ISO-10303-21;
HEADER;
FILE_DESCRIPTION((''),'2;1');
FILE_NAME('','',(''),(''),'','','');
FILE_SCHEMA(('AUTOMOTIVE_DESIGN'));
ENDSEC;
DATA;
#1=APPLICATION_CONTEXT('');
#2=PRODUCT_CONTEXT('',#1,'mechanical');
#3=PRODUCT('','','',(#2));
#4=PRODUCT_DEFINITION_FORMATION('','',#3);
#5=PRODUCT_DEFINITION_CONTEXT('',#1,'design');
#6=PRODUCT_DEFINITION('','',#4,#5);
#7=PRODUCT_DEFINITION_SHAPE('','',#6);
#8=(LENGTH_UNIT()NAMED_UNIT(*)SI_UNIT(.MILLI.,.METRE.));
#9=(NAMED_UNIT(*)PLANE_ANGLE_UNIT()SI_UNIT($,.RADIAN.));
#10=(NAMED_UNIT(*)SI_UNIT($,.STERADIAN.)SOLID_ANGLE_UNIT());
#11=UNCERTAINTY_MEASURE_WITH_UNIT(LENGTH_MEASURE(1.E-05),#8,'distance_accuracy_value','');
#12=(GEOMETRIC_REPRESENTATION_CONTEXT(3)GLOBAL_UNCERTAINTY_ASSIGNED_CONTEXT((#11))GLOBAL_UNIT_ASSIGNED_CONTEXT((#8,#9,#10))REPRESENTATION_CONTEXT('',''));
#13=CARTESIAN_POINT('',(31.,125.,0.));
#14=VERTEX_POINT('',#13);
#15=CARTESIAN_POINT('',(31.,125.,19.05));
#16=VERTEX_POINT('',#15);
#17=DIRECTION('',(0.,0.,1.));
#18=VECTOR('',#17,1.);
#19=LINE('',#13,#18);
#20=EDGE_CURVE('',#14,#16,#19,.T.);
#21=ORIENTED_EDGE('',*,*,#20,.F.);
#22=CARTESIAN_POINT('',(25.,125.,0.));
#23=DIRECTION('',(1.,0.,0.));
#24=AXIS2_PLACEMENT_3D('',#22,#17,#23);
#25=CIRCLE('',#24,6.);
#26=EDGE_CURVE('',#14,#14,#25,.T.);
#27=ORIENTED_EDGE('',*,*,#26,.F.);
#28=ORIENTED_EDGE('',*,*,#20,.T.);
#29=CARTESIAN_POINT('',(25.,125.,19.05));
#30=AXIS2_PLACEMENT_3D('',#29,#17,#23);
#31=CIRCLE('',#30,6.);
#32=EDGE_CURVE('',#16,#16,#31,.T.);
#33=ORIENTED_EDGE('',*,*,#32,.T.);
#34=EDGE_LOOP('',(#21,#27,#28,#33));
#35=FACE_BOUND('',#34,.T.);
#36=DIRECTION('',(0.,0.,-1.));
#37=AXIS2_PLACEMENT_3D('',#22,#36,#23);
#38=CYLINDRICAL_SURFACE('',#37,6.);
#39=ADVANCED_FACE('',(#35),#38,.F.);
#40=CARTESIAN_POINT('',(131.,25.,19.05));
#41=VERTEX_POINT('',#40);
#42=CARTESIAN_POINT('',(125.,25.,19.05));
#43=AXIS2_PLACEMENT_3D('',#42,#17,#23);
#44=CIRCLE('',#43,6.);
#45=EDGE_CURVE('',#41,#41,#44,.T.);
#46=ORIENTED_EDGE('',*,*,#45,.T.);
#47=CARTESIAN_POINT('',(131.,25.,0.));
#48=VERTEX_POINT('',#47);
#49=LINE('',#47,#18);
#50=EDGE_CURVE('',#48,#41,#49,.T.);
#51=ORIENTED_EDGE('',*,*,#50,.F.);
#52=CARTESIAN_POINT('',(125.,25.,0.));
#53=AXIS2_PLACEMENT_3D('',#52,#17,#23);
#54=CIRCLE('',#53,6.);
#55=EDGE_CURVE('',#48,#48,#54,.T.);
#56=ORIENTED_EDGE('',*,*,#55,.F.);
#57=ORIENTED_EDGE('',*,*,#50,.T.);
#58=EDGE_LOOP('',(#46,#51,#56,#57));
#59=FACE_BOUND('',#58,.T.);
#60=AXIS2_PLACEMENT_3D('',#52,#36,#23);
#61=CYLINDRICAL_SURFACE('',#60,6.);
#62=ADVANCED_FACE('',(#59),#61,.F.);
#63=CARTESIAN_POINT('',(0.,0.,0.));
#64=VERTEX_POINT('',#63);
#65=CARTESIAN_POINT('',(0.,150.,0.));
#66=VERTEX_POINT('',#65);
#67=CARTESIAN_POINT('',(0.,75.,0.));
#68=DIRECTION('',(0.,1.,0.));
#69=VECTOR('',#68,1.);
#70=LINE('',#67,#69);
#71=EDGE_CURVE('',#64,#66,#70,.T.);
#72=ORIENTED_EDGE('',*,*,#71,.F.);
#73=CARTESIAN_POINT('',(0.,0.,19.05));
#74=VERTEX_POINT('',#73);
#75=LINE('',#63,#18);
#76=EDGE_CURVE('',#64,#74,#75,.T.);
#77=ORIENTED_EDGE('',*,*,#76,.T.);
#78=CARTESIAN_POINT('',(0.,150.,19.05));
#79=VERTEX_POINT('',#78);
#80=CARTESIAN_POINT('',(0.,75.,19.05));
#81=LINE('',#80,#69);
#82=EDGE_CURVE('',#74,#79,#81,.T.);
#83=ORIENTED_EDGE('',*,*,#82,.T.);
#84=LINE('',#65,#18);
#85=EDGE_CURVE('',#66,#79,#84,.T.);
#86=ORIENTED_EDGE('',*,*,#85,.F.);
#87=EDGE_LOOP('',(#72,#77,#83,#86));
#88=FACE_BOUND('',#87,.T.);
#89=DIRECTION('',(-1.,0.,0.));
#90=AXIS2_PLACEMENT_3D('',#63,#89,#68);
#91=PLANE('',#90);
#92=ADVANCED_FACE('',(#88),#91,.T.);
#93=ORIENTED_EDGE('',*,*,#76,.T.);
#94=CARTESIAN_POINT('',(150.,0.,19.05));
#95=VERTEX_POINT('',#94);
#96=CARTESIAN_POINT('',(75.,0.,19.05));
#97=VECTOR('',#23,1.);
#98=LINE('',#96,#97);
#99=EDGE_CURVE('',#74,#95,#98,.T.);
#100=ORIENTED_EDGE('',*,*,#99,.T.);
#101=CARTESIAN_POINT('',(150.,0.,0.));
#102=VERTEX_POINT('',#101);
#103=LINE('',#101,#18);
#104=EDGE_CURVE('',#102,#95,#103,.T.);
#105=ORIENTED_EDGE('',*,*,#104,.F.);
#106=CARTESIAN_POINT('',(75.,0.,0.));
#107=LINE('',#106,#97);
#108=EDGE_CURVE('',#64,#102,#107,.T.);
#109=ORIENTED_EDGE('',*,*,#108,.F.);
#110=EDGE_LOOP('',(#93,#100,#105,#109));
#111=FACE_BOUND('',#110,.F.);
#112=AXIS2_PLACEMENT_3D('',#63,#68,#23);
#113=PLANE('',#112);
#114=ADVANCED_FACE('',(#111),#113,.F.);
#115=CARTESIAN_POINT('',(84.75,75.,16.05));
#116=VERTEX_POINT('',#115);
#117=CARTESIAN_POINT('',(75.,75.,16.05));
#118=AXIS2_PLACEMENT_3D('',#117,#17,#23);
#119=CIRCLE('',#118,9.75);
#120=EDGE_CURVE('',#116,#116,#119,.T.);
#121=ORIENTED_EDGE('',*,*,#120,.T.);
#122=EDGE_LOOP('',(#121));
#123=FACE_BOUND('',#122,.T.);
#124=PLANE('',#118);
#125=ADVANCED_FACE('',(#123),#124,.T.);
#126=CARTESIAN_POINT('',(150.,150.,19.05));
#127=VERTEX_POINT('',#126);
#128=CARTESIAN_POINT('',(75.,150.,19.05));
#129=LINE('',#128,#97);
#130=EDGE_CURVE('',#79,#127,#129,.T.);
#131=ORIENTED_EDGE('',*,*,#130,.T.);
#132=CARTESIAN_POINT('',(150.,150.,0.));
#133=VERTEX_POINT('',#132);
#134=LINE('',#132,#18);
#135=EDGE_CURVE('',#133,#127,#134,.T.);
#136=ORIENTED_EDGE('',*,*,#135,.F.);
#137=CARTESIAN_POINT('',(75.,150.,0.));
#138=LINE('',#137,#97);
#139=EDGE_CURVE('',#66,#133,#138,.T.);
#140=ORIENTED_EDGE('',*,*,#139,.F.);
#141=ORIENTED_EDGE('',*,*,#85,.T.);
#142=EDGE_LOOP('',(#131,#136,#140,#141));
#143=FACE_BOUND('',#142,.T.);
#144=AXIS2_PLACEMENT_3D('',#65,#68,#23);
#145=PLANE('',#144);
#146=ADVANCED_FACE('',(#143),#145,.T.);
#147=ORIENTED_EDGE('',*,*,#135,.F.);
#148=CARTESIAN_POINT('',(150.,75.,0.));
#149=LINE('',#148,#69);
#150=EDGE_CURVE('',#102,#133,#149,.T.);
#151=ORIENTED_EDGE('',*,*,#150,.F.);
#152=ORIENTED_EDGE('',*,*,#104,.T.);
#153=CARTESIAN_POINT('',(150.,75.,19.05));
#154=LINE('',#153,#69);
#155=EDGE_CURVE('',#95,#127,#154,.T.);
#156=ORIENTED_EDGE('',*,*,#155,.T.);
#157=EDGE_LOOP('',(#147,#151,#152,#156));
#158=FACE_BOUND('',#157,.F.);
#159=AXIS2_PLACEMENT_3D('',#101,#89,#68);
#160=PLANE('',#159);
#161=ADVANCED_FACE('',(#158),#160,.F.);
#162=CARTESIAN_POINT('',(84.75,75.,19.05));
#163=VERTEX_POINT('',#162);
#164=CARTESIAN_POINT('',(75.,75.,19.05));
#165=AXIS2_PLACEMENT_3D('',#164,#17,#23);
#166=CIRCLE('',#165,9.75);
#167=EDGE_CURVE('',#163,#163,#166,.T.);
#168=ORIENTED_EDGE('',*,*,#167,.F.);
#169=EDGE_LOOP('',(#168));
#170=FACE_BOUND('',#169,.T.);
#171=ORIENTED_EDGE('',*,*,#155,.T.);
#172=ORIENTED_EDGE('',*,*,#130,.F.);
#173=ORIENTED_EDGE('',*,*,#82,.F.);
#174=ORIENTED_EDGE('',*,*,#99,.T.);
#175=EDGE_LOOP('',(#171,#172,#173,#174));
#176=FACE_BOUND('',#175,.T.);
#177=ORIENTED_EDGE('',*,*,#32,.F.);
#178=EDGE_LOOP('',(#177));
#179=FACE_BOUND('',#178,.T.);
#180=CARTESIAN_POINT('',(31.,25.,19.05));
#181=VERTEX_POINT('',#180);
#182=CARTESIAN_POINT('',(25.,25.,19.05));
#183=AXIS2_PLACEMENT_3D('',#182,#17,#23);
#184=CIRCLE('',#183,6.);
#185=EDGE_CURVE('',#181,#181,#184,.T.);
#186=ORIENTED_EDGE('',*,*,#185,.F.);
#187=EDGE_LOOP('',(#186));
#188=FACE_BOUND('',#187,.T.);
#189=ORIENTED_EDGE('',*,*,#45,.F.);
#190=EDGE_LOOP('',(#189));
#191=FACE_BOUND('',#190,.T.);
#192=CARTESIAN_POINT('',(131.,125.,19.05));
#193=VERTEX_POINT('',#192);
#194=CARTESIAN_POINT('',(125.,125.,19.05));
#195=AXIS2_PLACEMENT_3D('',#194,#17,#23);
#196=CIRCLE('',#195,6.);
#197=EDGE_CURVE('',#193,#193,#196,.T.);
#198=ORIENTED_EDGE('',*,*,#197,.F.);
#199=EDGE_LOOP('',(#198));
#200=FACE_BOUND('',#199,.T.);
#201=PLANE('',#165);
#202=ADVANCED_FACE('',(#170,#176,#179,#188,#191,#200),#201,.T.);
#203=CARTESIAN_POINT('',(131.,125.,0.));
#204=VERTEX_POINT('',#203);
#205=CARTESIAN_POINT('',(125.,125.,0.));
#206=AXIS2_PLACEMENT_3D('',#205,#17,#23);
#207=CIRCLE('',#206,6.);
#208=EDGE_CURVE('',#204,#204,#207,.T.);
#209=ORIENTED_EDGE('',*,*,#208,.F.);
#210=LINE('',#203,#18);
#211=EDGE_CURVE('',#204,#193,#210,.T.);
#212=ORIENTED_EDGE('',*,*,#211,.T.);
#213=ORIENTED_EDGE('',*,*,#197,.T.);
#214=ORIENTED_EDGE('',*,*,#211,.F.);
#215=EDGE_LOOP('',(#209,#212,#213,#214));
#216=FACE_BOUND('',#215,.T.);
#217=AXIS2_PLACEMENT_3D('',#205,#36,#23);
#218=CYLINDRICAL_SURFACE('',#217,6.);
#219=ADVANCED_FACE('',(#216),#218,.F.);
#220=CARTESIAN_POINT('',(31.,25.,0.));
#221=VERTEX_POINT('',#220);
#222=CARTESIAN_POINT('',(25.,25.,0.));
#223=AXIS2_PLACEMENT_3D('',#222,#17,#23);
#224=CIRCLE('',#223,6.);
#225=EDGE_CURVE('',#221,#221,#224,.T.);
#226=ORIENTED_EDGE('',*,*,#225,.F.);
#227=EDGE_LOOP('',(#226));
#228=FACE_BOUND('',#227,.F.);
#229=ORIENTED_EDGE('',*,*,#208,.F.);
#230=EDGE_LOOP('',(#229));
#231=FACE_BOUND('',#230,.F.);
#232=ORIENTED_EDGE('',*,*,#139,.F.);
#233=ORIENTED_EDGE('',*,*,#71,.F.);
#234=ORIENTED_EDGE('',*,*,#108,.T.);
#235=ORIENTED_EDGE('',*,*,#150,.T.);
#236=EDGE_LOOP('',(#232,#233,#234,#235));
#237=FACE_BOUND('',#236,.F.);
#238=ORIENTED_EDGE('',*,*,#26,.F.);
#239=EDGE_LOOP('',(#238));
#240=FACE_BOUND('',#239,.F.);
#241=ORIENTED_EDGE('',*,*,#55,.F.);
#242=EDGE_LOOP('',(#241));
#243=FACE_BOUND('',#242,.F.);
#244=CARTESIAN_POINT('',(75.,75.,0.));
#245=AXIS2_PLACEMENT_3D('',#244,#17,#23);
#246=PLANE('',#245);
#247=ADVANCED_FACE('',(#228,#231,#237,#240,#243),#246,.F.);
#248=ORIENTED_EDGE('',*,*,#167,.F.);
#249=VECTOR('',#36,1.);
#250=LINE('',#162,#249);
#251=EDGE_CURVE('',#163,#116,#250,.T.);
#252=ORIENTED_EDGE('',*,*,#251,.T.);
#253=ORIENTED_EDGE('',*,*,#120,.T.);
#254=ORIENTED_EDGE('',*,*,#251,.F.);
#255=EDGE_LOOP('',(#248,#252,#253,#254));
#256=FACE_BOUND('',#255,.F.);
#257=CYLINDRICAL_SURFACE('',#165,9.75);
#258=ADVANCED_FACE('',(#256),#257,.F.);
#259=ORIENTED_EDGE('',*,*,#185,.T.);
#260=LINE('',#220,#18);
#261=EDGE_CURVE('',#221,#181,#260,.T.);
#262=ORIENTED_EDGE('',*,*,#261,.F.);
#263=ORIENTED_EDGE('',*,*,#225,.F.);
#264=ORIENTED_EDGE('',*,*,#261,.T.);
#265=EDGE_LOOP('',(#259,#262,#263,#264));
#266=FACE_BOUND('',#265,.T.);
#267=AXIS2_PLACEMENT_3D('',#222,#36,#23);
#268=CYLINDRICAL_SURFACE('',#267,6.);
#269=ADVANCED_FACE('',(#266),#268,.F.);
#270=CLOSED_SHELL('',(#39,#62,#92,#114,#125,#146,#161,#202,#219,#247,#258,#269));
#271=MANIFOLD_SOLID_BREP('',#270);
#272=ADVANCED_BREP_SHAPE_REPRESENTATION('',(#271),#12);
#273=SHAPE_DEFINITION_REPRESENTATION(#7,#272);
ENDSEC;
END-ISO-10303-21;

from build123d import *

# Parameters (mm, degrees)
F0_W     = 150
F0_H     = 150
F0_R     = 6
F1_DEPTH = 19.05
F2_R     = 9.75
F3_DEPTH = 3


with BuildPart() as f1:
    # F0 (on Top) → F1 (new body)
    with BuildSketch(Plane.XY):
        with Locations((75, 75)):
            Rectangle(F0_W, F0_H)
        with Locations((25, 25)):
            Circle(F0_R, mode=Mode.SUBTRACT)
        with Locations((125, 25)):
            Circle(F0_R, mode=Mode.SUBTRACT)
        with Locations((25, 125)):
            Circle(F0_R, mode=Mode.SUBTRACT)
        with Locations((125, 125)):
            Circle(F0_R, mode=Mode.SUBTRACT)
    extrude(amount=F1_DEPTH)

    # F2 (on face) → F3 (cut)
    with BuildSketch(Plane.XY.offset(19.05)):
        with Locations((75, 75)):
            Circle(F2_R)
    extrude(amount=-F3_DEPTH, mode=Mode.SUBTRACT)


solid = f1.part
